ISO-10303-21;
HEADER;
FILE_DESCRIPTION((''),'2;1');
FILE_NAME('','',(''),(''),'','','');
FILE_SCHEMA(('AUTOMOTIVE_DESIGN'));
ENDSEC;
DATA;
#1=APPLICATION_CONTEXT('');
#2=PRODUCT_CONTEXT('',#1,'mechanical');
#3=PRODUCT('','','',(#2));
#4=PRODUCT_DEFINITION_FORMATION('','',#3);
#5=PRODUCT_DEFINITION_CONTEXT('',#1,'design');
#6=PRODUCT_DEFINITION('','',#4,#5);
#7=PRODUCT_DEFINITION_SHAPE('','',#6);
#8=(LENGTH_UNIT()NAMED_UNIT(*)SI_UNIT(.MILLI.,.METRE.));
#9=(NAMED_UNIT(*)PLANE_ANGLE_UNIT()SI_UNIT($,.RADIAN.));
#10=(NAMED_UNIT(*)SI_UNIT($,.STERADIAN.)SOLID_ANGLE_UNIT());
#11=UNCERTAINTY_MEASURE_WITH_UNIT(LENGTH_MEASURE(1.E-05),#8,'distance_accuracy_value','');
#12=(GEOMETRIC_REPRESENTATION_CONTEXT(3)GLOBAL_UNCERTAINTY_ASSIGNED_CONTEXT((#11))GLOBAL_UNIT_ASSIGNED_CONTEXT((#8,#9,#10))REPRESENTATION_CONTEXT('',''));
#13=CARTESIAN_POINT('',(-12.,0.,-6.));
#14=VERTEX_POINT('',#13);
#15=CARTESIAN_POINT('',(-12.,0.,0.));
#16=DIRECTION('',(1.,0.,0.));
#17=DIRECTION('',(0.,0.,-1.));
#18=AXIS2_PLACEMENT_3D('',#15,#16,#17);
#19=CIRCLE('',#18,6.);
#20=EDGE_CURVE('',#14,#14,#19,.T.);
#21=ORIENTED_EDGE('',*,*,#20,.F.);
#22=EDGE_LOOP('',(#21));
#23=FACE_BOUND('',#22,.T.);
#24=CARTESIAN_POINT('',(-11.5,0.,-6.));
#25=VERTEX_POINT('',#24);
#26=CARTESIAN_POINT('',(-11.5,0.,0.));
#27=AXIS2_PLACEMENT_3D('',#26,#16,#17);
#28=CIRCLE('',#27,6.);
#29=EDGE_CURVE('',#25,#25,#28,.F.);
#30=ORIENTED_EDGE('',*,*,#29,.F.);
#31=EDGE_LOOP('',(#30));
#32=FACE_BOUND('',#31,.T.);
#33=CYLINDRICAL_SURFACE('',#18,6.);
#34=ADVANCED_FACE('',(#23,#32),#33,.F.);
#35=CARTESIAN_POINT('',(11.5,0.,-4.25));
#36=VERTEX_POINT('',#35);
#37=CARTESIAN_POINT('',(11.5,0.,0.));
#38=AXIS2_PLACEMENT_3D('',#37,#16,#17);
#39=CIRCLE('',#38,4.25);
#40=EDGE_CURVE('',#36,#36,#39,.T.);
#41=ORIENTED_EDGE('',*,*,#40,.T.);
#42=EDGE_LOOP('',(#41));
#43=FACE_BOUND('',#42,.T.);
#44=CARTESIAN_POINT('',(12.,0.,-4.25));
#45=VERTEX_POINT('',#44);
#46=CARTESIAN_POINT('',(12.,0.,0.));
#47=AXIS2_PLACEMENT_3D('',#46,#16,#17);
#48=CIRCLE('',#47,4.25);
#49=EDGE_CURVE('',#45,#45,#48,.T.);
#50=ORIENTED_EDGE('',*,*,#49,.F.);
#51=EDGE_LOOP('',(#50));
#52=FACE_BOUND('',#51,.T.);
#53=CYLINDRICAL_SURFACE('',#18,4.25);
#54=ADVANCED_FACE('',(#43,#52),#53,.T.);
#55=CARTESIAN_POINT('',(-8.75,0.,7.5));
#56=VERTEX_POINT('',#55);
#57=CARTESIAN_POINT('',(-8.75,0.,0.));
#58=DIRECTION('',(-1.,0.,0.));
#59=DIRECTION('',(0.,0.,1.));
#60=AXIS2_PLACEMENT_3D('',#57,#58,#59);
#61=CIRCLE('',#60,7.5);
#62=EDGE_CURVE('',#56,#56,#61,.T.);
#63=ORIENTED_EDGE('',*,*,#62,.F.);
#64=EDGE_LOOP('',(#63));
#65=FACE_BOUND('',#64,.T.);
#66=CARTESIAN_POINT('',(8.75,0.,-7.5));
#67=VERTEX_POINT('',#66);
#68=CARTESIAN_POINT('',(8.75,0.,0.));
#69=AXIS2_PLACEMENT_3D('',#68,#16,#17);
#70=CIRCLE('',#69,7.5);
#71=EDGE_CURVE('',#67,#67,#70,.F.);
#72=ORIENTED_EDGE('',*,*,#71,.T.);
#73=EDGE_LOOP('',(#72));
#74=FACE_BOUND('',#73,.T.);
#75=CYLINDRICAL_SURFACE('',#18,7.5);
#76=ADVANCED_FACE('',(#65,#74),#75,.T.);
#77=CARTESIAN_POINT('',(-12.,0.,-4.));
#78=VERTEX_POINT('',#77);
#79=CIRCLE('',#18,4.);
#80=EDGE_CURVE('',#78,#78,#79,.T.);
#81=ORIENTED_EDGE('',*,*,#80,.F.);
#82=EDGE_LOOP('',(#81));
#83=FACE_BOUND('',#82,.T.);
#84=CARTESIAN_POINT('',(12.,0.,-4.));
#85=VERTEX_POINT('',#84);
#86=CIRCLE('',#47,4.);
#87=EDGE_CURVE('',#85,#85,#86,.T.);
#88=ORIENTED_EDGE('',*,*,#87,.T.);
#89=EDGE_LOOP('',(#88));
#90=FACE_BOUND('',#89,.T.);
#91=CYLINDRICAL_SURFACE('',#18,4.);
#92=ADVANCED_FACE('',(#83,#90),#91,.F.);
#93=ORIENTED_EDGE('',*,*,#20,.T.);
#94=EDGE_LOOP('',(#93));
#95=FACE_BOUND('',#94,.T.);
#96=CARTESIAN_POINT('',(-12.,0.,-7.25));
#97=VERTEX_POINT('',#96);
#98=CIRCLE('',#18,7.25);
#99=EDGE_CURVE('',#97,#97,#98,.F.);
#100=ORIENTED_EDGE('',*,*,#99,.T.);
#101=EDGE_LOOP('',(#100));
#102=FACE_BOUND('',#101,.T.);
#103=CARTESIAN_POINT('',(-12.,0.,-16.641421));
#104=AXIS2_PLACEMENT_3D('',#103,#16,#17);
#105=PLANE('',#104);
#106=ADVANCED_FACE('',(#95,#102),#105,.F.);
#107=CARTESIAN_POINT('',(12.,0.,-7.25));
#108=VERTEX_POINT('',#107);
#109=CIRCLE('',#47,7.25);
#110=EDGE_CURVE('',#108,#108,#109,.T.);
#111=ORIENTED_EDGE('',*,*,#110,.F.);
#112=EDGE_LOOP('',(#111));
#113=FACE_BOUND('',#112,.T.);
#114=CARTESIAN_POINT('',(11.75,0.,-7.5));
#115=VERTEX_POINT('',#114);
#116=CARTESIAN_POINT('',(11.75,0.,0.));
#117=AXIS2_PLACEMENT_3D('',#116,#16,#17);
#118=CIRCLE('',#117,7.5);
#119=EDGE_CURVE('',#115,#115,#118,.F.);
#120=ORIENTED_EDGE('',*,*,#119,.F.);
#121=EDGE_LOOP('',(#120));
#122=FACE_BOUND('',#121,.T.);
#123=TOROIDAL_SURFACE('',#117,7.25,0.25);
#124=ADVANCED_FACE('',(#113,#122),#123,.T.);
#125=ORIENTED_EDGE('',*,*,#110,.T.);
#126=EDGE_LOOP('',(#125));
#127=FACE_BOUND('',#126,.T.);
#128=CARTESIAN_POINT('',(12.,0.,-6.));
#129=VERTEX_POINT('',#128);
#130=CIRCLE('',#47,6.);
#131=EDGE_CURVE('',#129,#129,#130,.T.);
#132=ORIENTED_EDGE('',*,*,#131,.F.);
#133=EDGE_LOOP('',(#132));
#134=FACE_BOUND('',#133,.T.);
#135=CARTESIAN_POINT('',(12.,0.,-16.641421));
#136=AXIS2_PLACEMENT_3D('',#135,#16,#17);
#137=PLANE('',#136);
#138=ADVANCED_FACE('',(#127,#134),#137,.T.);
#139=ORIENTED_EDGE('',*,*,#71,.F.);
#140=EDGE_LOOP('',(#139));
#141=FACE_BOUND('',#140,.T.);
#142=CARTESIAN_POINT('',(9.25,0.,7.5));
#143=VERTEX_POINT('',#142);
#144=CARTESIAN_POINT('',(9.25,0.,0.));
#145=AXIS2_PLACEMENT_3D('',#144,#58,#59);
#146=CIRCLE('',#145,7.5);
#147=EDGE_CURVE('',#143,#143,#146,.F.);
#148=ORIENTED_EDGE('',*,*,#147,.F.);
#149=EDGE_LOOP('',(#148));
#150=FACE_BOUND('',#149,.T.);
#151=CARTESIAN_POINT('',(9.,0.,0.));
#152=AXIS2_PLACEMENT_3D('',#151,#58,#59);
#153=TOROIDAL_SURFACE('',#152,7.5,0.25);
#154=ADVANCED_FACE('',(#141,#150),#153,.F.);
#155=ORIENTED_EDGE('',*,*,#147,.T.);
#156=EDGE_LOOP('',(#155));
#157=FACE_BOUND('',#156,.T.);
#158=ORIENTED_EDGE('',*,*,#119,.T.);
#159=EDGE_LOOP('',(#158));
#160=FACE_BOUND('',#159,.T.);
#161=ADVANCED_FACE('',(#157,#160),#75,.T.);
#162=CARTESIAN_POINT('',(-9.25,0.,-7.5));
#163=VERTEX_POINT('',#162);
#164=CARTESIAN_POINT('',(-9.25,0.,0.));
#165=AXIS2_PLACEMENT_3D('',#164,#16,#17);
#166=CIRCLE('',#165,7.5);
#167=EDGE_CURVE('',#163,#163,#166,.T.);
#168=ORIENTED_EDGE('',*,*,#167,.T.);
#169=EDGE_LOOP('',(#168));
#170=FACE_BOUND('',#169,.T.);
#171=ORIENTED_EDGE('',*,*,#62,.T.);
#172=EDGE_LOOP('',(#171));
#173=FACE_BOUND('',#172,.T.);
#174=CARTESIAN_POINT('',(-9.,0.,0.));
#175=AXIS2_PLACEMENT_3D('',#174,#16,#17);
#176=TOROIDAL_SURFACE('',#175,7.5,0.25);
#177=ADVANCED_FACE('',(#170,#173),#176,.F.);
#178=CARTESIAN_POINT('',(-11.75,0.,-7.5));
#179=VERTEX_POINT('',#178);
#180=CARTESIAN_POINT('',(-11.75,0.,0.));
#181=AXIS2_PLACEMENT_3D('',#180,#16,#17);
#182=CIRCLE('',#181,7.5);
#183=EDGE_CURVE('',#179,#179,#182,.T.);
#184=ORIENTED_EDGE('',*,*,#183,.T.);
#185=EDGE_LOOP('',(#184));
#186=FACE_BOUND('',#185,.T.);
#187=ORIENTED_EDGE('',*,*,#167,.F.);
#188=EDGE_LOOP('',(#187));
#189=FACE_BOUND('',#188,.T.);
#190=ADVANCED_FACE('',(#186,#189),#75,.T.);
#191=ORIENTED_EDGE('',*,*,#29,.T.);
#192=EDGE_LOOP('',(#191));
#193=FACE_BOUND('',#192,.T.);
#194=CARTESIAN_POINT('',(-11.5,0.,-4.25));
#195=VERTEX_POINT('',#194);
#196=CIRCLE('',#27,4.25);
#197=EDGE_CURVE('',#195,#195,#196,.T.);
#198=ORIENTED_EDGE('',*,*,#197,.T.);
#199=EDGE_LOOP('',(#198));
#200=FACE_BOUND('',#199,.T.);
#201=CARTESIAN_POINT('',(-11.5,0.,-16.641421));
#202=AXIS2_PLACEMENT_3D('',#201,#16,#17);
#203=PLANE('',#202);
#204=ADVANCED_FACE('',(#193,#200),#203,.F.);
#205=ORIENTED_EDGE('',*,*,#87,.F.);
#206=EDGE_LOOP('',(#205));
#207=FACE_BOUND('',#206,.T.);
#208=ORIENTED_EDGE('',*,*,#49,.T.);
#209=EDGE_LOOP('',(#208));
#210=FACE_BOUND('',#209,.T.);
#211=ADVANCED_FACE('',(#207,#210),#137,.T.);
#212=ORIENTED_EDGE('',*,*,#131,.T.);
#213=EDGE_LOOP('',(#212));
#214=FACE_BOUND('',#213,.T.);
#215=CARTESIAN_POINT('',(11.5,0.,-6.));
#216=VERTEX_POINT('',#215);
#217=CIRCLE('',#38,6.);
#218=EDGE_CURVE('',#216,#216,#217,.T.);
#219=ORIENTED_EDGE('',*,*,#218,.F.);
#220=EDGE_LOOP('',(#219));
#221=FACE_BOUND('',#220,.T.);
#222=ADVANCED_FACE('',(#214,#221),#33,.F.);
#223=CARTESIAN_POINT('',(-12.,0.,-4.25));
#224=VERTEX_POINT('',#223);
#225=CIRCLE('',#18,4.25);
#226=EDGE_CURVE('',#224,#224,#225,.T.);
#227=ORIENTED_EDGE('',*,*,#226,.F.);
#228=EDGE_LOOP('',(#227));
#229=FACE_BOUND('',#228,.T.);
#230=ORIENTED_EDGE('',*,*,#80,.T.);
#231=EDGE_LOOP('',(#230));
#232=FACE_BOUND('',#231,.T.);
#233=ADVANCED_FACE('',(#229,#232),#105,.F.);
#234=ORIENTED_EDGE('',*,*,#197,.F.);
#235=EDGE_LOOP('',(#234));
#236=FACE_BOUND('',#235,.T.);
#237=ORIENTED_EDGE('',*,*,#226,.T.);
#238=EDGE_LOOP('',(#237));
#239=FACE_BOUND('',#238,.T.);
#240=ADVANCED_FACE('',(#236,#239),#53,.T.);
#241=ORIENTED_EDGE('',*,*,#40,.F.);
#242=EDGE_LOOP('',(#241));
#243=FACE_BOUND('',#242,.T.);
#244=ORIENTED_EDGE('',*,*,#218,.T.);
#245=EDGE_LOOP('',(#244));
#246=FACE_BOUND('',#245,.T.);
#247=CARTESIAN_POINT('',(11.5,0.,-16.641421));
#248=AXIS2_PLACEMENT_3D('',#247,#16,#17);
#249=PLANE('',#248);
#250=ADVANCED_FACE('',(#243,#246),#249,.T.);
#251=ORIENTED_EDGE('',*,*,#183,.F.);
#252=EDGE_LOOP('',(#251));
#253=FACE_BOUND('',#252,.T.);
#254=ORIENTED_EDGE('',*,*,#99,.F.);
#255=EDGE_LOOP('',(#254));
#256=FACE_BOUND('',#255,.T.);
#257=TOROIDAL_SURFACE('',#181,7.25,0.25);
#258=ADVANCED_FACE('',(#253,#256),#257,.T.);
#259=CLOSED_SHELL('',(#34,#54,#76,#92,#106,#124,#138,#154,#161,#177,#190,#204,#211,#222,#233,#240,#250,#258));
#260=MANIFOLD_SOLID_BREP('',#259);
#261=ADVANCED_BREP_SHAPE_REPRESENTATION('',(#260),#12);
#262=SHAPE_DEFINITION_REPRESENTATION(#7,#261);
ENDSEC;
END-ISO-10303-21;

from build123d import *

# Parameters (mm, degrees)
EXTRUDE1_DEPTH      = 12
EXTRUDE1_DEPTH_BACK = 12
SKETCH2_R           = 7.5
SKETCH2_R_2         = 6
EXTRUDE2_DEPTH      = 12
EXTRUDE2_DEPTH_BACK = 12
SKETCH2_4_R         = 4.25
SKETCH2_4_R_2       = 4
EXTRUDE3_DEPTH      = 11.5
EXTRUDE3_DEPTH_BACK = 11.5
SKETCH2_5_R         = 6
SKETCH2_5_R_2       = 4.25
FILLET3_R           = 0.25
FILLET4_R           = 0.25
SKETCH3_R           = 0.25
SKETCH6_R           = 0.25


with BuildPart() as part:
    # Sketch2 → Extrude1 (new, two sides: drawn at the far end of the back side and taken through both)
    with BuildSketch(Plane(origin=(0, 0, 0), x_dir=(0, 0, -1), z_dir=(1, 0, 0)).offset(-EXTRUDE1_DEPTH_BACK)):
        Circle(SKETCH2_R)
        Circle(SKETCH2_R_2, mode=Mode.SUBTRACT)
    extrude(amount=EXTRUDE1_DEPTH + EXTRUDE1_DEPTH_BACK)



with BuildPart() as body_2:
    # Sketch2<4> → Extrude2 (new, two sides: drawn at the far end of the back side and taken through both)
    with BuildSketch(Plane(origin=(0, 0, 0), x_dir=(0, 0, -1), z_dir=(1, 0, 0)).offset(-EXTRUDE2_DEPTH_BACK)):
        Circle(SKETCH2_4_R)
        Circle(SKETCH2_4_R_2, mode=Mode.SUBTRACT)
    extrude(amount=EXTRUDE2_DEPTH + EXTRUDE2_DEPTH_BACK)


with BuildPart() as part_1:
    add(part.part)

    add(body_2.part)  # Extrude3 merges body 2
    # Sketch2<5> → Extrude3 (add, two sides: drawn at the far end of the back side and taken through both)
    with BuildSketch(Plane(origin=(0, 0, 0), x_dir=(0, 0, -1), z_dir=(1, 0, 0)).offset(-EXTRUDE3_DEPTH_BACK)):
        Circle(SKETCH2_5_R)
        Circle(SKETCH2_5_R_2, mode=Mode.SUBTRACT)
    extrude(amount=EXTRUDE3_DEPTH + EXTRUDE3_DEPTH_BACK)

    # Fillet3
    fillet3_edges = [part_1.edges().sort_by_distance(p)[0] for p in [
        (12, 0, 7.5),
    ]]
    fillet(fillet3_edges, radius=FILLET3_R)

    # Fillet4
    fillet4_edges = [part_1.edges().sort_by_distance(p)[0] for p in [
        (-12, 0, 7.5),
    ]]
    fillet(fillet4_edges, radius=FILLET4_R)

    # Cut-Sweep1: sweep along a path in Sketch4
    with BuildLine(Plane.ZY.offset(9)) as cut_sweep1_path:
        CenterArc((0, 0), 7.5, 0, 360)
    # Sketch3 → Cut-Sweep1 (sweep, cut)
    with BuildSketch(Plane(origin=(0, 0, 0), x_dir=(1, 0, 0), z_dir=(0, 1, 0))):
        with Locations((-9, 7.5)):
            Circle(SKETCH3_R)
    sweep(path=cut_sweep1_path.line, mode=Mode.SUBTRACT)

    # Cut-Sweep2: sweep along a path in Sketch7
    with BuildLine(Plane(origin=(9, 0, 0), x_dir=(0, 0, -1), z_dir=(1, 0, 0))) as cut_sweep2_path:
        CenterArc((0, 0), 7.5, 0, 360)
    # Sketch6 → Cut-Sweep2 (sweep, cut)
    with BuildSketch(Plane(origin=(0, 0, 0), x_dir=(1, 0, 0), z_dir=(0, 1, 0))):
        with Locations((9, 7.5)):
            Circle(SKETCH6_R)
    sweep(path=cut_sweep2_path.line, mode=Mode.SUBTRACT)


solid = part_1.part
